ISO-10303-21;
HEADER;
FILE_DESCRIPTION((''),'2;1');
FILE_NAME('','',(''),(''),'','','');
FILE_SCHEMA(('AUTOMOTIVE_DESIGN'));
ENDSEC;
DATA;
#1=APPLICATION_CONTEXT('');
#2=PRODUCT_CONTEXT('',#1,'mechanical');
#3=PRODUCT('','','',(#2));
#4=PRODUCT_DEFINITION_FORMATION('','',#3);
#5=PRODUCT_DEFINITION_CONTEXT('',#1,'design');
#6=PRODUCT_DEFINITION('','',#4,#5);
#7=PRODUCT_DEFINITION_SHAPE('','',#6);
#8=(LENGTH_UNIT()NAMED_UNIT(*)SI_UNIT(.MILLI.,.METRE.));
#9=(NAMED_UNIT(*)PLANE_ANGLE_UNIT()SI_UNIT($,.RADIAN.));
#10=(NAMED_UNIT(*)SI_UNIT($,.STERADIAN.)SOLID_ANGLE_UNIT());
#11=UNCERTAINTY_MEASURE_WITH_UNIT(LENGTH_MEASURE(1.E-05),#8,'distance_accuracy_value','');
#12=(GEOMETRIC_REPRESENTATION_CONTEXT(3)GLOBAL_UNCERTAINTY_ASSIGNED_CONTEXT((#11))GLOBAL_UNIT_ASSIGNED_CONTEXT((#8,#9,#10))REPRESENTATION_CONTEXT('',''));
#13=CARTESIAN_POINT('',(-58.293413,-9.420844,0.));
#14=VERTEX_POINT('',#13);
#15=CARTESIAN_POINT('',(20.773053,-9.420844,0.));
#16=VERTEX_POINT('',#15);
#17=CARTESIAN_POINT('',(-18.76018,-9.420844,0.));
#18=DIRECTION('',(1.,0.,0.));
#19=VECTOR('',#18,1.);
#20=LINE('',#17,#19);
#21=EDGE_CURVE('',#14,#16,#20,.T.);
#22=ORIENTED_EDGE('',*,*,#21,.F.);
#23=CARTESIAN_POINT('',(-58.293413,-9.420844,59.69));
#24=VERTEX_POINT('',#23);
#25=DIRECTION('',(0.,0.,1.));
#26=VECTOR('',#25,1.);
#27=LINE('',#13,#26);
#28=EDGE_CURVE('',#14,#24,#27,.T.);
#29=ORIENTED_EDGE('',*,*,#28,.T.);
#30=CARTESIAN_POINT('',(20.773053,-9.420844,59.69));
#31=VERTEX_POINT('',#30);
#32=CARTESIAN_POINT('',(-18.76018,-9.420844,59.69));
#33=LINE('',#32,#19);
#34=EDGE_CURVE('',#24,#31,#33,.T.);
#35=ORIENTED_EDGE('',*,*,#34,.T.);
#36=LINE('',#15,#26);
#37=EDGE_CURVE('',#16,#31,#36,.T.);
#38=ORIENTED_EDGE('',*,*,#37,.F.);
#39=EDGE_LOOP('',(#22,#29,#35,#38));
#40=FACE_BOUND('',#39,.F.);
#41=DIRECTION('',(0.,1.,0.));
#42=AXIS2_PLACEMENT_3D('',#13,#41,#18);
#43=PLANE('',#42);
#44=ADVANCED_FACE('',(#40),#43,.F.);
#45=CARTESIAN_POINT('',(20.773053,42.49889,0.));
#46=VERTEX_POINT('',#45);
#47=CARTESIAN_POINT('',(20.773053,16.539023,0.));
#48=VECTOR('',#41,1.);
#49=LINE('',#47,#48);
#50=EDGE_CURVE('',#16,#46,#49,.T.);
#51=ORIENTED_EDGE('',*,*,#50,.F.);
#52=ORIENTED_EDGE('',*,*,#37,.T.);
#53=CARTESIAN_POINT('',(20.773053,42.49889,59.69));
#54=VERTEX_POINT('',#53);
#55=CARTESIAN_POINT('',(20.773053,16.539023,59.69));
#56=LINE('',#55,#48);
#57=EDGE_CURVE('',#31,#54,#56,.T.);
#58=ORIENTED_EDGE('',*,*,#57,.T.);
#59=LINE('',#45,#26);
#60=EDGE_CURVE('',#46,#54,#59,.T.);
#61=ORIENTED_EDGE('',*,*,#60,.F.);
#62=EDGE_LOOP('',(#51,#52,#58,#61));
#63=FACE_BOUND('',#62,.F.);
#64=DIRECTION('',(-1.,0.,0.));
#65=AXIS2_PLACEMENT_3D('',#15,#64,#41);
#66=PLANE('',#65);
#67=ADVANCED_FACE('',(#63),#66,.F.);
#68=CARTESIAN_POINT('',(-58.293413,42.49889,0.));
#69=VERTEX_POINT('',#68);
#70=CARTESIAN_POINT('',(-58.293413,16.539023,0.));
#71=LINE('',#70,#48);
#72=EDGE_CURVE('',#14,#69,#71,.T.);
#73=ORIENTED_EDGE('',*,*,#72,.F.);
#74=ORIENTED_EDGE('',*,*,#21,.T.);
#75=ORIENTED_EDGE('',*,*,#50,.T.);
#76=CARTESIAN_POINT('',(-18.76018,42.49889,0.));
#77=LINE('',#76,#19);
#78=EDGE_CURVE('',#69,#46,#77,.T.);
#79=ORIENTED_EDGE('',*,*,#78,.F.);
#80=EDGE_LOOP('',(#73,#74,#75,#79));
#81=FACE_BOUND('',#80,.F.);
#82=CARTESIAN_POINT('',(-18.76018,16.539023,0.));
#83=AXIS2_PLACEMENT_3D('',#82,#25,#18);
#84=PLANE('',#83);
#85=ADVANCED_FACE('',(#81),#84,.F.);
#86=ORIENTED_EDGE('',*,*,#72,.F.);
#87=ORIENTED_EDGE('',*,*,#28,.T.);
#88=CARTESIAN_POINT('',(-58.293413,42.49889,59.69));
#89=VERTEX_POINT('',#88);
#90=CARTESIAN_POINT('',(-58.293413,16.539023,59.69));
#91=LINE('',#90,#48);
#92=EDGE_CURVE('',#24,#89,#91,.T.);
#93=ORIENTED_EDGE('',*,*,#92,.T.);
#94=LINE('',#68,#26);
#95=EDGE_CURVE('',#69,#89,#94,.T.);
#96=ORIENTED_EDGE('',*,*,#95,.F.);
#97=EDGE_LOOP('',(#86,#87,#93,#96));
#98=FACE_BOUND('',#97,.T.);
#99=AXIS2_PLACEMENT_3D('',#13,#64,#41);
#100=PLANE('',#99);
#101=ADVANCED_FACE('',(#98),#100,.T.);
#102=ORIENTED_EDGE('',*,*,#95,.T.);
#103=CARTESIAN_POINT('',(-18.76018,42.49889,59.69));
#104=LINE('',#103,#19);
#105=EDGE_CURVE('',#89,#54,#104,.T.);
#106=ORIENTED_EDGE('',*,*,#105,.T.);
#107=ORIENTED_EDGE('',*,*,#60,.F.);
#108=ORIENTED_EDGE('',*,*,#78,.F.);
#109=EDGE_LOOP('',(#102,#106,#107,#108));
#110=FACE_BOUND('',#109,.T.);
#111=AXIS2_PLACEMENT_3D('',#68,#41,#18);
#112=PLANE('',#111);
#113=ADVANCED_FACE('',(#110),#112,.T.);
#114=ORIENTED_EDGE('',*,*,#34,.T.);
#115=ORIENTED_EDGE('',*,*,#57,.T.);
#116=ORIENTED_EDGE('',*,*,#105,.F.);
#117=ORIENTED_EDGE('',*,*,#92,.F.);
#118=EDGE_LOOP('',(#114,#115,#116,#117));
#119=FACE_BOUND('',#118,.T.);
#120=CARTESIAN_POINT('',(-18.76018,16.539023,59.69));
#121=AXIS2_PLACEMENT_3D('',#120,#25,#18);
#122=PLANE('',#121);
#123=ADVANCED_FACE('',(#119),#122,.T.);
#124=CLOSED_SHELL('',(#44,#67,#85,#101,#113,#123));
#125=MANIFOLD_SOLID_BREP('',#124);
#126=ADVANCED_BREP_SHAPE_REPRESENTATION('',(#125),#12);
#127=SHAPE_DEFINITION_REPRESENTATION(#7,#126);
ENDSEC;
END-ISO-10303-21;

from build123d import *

# Parameters (mm, degrees)
F0_W     = 79.066466
F0_H     = 51.919734
F1_DEPTH = 59.69
F2_W     = 59.12934
F2_H     = 33.223663
F3_DEPTH = 25.4


with BuildPart() as f1:
    # F0 (on Top) → F1 (new body)
    with BuildSketch(Plane.XY):
        with Locations((-18.76018, 16.539023)):
            Rectangle(F0_W, F0_H)
    extrude(amount=F1_DEPTH)

    # F2 (on Top) → F3 (cut)
    with BuildSketch(Plane.XY):
        with Locations((-19.758568, 16.611832)):
            Rectangle(F2_W, F2_H)
    extrude(amount=-F3_DEPTH, mode=Mode.SUBTRACT)


solid = f1.part
